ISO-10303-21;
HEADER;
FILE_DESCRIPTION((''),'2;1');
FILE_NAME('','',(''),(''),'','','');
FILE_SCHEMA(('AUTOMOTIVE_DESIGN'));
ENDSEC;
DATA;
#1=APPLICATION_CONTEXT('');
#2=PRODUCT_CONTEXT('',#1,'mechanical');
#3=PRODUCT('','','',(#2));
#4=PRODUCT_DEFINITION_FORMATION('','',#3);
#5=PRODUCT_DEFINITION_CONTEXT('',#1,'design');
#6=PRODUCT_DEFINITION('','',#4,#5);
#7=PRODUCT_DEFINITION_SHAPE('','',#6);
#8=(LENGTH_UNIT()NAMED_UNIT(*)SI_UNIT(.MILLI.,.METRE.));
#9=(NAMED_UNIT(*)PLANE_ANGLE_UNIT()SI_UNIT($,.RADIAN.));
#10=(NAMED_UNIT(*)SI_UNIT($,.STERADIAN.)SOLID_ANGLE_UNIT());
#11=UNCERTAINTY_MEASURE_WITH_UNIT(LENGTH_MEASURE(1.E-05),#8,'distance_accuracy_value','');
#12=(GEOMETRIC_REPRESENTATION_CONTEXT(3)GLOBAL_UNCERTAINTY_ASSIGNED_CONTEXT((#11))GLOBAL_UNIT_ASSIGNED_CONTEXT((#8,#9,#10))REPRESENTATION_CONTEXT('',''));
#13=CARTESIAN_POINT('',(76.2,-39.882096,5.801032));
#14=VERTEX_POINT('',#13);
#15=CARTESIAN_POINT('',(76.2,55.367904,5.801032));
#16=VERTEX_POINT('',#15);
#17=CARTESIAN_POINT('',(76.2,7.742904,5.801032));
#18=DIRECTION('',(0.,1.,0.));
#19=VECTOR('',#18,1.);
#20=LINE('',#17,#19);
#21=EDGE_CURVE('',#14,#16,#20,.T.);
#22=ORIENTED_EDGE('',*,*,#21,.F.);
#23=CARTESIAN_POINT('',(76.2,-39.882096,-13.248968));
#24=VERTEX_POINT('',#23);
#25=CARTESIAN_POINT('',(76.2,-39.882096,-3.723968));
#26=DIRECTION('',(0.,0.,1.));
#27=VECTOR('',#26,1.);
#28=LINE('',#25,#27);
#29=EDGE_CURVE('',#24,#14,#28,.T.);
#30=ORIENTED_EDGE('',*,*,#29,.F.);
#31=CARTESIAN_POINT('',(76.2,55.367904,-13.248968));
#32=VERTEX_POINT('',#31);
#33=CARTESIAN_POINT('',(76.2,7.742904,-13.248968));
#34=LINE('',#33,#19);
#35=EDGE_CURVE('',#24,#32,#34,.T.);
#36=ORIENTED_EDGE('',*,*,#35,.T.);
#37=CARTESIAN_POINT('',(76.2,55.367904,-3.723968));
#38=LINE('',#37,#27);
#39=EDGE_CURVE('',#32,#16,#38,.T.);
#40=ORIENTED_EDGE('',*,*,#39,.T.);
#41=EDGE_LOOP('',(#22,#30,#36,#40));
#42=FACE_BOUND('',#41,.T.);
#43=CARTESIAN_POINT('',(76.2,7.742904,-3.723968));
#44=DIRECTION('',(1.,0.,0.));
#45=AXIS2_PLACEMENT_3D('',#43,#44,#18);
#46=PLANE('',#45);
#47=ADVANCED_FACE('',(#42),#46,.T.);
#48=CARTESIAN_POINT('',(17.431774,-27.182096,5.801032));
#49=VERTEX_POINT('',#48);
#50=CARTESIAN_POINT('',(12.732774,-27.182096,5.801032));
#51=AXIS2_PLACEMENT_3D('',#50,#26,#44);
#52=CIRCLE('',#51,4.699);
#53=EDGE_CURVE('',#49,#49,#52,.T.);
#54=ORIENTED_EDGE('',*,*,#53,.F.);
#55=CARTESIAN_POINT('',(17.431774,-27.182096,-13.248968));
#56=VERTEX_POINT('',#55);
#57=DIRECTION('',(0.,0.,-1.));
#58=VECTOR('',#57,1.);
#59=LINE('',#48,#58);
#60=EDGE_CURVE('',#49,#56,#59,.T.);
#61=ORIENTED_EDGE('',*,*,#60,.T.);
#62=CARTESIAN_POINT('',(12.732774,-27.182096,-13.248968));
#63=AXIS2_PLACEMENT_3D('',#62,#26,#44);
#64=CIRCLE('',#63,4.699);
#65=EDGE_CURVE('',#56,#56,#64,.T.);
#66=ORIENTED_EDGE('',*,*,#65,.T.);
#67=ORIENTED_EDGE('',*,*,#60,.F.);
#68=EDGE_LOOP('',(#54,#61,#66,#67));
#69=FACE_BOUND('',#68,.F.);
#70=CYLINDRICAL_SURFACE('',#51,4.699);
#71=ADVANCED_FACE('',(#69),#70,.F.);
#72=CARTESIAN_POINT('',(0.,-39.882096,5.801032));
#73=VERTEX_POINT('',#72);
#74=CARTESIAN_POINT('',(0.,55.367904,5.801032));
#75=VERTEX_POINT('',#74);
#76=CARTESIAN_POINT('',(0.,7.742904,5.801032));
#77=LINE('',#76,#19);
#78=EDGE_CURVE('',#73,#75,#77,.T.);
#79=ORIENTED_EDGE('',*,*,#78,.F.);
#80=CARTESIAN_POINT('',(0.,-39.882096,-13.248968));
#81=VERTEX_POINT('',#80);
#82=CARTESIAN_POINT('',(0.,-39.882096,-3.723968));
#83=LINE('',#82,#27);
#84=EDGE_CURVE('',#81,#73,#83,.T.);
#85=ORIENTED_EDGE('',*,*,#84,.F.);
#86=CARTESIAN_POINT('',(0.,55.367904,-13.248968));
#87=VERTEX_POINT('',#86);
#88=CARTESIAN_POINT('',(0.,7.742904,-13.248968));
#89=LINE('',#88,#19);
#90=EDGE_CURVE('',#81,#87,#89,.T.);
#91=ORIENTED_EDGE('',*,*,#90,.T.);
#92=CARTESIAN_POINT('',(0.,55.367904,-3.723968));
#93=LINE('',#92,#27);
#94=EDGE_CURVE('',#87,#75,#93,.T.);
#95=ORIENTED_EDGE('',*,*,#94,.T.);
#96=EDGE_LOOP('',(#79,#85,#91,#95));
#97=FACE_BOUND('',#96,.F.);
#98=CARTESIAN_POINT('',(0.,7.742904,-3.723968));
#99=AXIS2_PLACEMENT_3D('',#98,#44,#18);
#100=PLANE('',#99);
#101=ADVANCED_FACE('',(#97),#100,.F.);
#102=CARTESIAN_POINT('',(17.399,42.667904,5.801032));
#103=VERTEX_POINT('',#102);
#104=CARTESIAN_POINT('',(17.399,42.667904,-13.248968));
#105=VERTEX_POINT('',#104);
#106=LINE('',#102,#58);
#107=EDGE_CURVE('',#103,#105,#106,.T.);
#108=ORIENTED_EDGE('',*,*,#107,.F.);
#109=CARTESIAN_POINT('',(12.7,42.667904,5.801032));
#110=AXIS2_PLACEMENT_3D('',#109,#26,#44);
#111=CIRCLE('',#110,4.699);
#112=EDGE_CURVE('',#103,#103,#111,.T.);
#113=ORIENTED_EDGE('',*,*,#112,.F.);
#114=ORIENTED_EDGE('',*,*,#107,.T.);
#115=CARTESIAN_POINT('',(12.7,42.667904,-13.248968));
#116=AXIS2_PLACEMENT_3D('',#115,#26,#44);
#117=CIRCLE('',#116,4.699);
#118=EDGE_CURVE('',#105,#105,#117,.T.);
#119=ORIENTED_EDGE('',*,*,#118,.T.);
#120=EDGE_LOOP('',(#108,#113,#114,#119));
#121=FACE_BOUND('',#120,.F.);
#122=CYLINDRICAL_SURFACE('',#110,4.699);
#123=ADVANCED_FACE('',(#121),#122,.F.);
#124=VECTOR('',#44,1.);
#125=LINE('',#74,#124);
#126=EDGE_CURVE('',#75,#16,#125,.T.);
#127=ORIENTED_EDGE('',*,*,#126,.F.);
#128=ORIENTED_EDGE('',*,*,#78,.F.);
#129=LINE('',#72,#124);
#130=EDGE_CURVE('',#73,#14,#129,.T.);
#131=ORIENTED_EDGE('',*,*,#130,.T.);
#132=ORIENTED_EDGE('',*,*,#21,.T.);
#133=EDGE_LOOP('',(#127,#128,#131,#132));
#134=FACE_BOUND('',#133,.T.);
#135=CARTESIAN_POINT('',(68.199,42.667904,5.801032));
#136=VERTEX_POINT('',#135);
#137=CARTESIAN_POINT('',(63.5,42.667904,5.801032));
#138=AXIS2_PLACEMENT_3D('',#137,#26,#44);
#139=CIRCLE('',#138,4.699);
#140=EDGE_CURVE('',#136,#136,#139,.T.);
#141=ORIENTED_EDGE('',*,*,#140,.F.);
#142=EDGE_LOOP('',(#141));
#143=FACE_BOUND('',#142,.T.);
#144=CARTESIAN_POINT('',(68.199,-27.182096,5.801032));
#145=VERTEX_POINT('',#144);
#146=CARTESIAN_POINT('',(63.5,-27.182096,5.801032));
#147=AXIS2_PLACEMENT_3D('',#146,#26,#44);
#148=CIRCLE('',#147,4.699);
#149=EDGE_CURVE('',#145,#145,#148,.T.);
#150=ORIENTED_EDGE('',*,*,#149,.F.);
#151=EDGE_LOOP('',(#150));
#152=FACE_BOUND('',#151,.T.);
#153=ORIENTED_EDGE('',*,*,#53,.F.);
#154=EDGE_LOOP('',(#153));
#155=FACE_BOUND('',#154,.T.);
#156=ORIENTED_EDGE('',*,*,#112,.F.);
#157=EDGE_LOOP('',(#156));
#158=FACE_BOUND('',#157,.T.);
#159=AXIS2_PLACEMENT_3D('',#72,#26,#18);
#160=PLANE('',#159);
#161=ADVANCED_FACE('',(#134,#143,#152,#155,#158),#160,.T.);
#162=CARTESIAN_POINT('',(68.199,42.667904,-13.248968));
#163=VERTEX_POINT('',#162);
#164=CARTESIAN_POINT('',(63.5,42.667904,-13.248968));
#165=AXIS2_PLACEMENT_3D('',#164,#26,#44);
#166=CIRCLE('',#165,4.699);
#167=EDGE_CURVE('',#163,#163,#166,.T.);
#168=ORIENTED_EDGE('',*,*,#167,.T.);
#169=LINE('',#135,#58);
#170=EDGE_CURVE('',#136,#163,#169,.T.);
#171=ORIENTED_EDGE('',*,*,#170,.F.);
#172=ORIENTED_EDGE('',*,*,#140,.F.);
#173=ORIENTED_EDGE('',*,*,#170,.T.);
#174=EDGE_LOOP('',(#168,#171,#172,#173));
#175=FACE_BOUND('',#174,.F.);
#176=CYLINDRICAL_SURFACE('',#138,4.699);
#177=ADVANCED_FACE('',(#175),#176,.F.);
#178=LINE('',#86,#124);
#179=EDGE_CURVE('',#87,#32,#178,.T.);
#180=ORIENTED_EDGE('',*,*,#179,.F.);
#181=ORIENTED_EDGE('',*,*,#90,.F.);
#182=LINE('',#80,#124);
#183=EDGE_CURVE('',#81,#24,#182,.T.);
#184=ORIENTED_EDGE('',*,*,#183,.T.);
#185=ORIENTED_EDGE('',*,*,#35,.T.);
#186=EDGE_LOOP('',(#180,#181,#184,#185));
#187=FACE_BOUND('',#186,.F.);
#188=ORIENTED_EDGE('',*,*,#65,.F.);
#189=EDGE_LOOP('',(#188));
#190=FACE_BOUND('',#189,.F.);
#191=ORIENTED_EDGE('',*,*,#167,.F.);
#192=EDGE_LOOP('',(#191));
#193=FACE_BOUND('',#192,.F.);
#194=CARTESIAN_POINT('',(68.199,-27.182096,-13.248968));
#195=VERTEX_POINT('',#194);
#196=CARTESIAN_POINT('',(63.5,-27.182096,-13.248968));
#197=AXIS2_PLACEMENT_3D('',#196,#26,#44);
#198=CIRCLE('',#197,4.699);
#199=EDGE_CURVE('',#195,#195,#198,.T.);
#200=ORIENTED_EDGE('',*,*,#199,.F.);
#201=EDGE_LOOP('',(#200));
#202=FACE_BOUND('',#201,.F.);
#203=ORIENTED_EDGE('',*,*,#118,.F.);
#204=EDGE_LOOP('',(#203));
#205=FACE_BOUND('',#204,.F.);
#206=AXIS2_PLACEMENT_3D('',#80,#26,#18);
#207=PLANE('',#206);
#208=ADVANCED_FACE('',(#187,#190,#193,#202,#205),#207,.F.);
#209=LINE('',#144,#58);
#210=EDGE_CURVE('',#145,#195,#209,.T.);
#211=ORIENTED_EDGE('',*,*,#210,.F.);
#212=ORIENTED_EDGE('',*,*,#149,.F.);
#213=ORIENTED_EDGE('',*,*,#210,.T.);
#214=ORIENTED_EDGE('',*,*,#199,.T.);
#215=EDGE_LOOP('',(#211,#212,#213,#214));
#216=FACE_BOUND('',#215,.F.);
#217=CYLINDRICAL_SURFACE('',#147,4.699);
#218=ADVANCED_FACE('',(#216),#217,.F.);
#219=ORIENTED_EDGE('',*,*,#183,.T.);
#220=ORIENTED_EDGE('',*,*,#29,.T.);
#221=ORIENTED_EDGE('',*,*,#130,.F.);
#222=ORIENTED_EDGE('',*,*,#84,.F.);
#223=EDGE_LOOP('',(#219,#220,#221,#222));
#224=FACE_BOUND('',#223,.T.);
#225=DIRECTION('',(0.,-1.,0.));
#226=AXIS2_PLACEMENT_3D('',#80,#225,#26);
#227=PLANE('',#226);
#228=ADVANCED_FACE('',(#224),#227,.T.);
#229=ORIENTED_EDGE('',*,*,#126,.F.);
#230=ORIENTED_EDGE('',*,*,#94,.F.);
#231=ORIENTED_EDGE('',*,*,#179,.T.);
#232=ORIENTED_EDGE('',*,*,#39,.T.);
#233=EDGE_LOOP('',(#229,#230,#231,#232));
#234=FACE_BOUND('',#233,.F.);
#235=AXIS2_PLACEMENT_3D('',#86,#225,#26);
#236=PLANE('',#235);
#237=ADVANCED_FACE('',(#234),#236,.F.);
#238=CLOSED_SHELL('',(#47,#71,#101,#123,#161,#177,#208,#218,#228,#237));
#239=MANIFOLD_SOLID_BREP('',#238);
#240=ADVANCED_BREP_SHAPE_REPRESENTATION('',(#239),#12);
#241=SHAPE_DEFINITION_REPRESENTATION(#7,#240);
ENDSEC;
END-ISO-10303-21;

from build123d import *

# Parameters (mm, degrees)
F0_W     = 95.25
F0_H     = 19.05
F1_DEPTH = 76.2
F2_R     = 4.699
F3_DEPTH = 25.4


with BuildPart() as f1:
    # F0 (on Right) → F1 (new body)
    with BuildSketch(Plane.YZ):
        with Locations((7.742904, -3.723968)):
            Rectangle(F0_W, F0_H)
    extrude(amount=F1_DEPTH)

    # F2 (on face) → F3 (cut)
    with BuildSketch(Plane.XY.offset(5.801032)):
        with Locations((63.5, -27.182096)):
            Circle(F2_R)
        with Locations((12.732774, -27.182096)):
            Circle(F2_R)
        with Locations((12.7, 42.667904)):
            Circle(F2_R)
        with Locations((63.5, 42.667904)):
            Circle(F2_R)
    extrude(amount=-F3_DEPTH, mode=Mode.SUBTRACT)


solid = f1.part
